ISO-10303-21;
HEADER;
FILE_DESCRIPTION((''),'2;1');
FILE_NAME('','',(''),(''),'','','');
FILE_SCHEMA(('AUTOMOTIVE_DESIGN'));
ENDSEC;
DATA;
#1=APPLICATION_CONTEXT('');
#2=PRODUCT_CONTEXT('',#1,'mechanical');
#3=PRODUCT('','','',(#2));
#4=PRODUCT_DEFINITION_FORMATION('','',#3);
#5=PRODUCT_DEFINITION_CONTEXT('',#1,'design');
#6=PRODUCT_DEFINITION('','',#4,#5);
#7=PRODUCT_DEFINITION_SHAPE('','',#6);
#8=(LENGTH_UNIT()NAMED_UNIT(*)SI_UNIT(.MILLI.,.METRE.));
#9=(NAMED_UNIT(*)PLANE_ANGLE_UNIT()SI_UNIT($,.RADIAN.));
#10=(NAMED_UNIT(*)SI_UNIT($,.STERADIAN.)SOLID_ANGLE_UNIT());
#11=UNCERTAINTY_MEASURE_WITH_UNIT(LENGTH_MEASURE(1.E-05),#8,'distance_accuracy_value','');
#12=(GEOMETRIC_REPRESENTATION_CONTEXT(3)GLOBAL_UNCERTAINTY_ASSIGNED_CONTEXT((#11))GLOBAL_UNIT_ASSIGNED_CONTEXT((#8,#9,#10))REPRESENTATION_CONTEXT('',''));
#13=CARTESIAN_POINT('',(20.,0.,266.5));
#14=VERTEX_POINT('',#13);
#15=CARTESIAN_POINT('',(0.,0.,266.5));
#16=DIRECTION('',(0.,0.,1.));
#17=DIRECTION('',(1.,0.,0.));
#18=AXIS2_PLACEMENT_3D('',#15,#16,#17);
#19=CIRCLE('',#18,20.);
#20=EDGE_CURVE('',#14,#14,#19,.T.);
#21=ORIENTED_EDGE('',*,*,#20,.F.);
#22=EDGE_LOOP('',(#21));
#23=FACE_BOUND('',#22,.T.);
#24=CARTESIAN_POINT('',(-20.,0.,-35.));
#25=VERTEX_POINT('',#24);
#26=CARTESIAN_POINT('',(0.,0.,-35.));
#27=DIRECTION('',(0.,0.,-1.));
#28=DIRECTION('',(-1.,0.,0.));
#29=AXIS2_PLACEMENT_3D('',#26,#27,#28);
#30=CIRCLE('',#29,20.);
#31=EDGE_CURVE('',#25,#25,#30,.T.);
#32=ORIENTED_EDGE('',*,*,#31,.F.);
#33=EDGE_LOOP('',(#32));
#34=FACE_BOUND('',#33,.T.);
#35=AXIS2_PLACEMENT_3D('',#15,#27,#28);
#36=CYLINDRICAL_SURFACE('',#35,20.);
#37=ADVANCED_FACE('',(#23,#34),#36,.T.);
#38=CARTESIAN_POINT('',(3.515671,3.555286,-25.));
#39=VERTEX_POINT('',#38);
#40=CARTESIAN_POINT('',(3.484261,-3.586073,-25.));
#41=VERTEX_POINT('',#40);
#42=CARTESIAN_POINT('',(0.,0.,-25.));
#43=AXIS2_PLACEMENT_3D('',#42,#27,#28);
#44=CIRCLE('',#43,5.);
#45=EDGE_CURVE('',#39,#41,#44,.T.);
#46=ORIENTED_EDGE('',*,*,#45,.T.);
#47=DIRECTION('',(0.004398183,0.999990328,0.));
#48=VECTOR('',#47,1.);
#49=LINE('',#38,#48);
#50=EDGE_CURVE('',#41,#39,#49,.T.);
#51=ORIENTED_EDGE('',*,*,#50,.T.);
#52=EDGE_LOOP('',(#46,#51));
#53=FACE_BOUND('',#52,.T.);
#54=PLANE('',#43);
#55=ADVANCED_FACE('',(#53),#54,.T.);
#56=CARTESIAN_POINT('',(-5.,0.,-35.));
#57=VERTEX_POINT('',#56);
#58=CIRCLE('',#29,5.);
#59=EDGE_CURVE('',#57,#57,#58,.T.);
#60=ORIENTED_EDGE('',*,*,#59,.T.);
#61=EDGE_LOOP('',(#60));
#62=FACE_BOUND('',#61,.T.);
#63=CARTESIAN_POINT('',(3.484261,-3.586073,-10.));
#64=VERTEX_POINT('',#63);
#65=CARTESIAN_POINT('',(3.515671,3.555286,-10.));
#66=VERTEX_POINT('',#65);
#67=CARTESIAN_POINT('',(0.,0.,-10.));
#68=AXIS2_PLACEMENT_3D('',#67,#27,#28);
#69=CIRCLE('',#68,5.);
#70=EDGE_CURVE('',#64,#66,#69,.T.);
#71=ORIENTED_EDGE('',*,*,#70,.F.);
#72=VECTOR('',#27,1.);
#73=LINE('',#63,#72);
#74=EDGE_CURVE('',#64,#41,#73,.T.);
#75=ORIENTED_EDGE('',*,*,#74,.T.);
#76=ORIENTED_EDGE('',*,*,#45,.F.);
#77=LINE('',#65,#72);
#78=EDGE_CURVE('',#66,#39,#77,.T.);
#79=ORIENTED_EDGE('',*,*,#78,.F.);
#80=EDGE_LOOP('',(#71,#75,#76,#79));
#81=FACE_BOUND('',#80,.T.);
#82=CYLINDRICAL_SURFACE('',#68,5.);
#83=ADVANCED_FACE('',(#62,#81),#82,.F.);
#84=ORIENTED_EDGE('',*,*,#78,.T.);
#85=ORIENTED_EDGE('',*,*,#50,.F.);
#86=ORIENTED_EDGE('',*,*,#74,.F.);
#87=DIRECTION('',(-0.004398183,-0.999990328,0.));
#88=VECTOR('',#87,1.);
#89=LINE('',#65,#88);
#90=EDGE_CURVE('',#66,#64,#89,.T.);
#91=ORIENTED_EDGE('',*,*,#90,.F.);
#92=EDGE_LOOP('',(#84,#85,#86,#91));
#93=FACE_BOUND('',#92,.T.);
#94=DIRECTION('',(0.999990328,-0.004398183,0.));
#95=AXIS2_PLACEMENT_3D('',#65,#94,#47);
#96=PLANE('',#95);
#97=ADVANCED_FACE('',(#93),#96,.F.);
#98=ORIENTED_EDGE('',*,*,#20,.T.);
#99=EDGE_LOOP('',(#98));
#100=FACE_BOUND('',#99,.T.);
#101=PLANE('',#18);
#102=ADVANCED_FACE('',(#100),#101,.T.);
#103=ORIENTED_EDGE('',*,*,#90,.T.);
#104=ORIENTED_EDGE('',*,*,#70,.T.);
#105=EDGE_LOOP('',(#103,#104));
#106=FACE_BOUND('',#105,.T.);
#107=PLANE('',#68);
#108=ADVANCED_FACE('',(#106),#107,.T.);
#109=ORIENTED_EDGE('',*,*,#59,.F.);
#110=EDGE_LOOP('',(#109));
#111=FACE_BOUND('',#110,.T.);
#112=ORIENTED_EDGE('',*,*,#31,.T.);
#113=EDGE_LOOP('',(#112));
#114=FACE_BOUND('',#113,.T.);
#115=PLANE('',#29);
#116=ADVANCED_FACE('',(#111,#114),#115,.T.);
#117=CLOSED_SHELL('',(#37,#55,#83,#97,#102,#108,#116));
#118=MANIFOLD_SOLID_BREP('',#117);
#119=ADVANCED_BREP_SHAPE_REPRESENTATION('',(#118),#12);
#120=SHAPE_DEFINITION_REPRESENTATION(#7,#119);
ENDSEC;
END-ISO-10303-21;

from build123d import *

# Parameters (mm, degrees)
SKETCH_1_R          = 20
EXTRUDE_1_DEPTH     = 266.5
EXTRUDE_START       = 35
SKETCH_3_R          = 20
EXTRUDE_2_DEPTH     = 35
CUT_EXTRUDE_1_DEPTH = 25
SKETCH_5_R          = 5
CUT_EXTRUDE_2_DEPTH = 10


with BuildPart() as part:
    # 스케치1 → 보스-돌출1 (new body)
    with BuildSketch(Plane.XY):
        Circle(SKETCH_1_R)
    extrude(amount=EXTRUDE_1_DEPTH)

    # 스케치3 → 보스-돌출2 (add)
    with BuildSketch(Plane(origin=(0, 0, 0), x_dir=(-1, 0, 0), z_dir=(0, 0, -1)).offset(EXTRUDE_START)):
        Circle(SKETCH_3_R)
    extrude(amount=-EXTRUDE_2_DEPTH)

    # 스케치4 → 컷-돌출1 (cut)
    with BuildSketch(Plane(origin=(0, 0, -35), x_dir=(-1, 0, 0), z_dir=(0, 0, -1))):
        with BuildLine():
            Line((-3.515670801, 3.555286039), (-3.484261495, -3.586073317))
            ThreePointArc((-3.484261495, -3.586073317), (4.99995164, 0.021990913), (-3.515670801, 3.555286039))
        make_face()
    extrude(amount=-CUT_EXTRUDE_1_DEPTH, mode=Mode.SUBTRACT)

    # 스케치5 → 컷-돌출2 (cut)
    with BuildSketch(Plane(origin=(0, 0, -35), x_dir=(-1, 0, 0), z_dir=(0, 0, -1))):
        Circle(SKETCH_5_R)
    extrude(amount=-CUT_EXTRUDE_2_DEPTH, mode=Mode.SUBTRACT)


solid = part.part
